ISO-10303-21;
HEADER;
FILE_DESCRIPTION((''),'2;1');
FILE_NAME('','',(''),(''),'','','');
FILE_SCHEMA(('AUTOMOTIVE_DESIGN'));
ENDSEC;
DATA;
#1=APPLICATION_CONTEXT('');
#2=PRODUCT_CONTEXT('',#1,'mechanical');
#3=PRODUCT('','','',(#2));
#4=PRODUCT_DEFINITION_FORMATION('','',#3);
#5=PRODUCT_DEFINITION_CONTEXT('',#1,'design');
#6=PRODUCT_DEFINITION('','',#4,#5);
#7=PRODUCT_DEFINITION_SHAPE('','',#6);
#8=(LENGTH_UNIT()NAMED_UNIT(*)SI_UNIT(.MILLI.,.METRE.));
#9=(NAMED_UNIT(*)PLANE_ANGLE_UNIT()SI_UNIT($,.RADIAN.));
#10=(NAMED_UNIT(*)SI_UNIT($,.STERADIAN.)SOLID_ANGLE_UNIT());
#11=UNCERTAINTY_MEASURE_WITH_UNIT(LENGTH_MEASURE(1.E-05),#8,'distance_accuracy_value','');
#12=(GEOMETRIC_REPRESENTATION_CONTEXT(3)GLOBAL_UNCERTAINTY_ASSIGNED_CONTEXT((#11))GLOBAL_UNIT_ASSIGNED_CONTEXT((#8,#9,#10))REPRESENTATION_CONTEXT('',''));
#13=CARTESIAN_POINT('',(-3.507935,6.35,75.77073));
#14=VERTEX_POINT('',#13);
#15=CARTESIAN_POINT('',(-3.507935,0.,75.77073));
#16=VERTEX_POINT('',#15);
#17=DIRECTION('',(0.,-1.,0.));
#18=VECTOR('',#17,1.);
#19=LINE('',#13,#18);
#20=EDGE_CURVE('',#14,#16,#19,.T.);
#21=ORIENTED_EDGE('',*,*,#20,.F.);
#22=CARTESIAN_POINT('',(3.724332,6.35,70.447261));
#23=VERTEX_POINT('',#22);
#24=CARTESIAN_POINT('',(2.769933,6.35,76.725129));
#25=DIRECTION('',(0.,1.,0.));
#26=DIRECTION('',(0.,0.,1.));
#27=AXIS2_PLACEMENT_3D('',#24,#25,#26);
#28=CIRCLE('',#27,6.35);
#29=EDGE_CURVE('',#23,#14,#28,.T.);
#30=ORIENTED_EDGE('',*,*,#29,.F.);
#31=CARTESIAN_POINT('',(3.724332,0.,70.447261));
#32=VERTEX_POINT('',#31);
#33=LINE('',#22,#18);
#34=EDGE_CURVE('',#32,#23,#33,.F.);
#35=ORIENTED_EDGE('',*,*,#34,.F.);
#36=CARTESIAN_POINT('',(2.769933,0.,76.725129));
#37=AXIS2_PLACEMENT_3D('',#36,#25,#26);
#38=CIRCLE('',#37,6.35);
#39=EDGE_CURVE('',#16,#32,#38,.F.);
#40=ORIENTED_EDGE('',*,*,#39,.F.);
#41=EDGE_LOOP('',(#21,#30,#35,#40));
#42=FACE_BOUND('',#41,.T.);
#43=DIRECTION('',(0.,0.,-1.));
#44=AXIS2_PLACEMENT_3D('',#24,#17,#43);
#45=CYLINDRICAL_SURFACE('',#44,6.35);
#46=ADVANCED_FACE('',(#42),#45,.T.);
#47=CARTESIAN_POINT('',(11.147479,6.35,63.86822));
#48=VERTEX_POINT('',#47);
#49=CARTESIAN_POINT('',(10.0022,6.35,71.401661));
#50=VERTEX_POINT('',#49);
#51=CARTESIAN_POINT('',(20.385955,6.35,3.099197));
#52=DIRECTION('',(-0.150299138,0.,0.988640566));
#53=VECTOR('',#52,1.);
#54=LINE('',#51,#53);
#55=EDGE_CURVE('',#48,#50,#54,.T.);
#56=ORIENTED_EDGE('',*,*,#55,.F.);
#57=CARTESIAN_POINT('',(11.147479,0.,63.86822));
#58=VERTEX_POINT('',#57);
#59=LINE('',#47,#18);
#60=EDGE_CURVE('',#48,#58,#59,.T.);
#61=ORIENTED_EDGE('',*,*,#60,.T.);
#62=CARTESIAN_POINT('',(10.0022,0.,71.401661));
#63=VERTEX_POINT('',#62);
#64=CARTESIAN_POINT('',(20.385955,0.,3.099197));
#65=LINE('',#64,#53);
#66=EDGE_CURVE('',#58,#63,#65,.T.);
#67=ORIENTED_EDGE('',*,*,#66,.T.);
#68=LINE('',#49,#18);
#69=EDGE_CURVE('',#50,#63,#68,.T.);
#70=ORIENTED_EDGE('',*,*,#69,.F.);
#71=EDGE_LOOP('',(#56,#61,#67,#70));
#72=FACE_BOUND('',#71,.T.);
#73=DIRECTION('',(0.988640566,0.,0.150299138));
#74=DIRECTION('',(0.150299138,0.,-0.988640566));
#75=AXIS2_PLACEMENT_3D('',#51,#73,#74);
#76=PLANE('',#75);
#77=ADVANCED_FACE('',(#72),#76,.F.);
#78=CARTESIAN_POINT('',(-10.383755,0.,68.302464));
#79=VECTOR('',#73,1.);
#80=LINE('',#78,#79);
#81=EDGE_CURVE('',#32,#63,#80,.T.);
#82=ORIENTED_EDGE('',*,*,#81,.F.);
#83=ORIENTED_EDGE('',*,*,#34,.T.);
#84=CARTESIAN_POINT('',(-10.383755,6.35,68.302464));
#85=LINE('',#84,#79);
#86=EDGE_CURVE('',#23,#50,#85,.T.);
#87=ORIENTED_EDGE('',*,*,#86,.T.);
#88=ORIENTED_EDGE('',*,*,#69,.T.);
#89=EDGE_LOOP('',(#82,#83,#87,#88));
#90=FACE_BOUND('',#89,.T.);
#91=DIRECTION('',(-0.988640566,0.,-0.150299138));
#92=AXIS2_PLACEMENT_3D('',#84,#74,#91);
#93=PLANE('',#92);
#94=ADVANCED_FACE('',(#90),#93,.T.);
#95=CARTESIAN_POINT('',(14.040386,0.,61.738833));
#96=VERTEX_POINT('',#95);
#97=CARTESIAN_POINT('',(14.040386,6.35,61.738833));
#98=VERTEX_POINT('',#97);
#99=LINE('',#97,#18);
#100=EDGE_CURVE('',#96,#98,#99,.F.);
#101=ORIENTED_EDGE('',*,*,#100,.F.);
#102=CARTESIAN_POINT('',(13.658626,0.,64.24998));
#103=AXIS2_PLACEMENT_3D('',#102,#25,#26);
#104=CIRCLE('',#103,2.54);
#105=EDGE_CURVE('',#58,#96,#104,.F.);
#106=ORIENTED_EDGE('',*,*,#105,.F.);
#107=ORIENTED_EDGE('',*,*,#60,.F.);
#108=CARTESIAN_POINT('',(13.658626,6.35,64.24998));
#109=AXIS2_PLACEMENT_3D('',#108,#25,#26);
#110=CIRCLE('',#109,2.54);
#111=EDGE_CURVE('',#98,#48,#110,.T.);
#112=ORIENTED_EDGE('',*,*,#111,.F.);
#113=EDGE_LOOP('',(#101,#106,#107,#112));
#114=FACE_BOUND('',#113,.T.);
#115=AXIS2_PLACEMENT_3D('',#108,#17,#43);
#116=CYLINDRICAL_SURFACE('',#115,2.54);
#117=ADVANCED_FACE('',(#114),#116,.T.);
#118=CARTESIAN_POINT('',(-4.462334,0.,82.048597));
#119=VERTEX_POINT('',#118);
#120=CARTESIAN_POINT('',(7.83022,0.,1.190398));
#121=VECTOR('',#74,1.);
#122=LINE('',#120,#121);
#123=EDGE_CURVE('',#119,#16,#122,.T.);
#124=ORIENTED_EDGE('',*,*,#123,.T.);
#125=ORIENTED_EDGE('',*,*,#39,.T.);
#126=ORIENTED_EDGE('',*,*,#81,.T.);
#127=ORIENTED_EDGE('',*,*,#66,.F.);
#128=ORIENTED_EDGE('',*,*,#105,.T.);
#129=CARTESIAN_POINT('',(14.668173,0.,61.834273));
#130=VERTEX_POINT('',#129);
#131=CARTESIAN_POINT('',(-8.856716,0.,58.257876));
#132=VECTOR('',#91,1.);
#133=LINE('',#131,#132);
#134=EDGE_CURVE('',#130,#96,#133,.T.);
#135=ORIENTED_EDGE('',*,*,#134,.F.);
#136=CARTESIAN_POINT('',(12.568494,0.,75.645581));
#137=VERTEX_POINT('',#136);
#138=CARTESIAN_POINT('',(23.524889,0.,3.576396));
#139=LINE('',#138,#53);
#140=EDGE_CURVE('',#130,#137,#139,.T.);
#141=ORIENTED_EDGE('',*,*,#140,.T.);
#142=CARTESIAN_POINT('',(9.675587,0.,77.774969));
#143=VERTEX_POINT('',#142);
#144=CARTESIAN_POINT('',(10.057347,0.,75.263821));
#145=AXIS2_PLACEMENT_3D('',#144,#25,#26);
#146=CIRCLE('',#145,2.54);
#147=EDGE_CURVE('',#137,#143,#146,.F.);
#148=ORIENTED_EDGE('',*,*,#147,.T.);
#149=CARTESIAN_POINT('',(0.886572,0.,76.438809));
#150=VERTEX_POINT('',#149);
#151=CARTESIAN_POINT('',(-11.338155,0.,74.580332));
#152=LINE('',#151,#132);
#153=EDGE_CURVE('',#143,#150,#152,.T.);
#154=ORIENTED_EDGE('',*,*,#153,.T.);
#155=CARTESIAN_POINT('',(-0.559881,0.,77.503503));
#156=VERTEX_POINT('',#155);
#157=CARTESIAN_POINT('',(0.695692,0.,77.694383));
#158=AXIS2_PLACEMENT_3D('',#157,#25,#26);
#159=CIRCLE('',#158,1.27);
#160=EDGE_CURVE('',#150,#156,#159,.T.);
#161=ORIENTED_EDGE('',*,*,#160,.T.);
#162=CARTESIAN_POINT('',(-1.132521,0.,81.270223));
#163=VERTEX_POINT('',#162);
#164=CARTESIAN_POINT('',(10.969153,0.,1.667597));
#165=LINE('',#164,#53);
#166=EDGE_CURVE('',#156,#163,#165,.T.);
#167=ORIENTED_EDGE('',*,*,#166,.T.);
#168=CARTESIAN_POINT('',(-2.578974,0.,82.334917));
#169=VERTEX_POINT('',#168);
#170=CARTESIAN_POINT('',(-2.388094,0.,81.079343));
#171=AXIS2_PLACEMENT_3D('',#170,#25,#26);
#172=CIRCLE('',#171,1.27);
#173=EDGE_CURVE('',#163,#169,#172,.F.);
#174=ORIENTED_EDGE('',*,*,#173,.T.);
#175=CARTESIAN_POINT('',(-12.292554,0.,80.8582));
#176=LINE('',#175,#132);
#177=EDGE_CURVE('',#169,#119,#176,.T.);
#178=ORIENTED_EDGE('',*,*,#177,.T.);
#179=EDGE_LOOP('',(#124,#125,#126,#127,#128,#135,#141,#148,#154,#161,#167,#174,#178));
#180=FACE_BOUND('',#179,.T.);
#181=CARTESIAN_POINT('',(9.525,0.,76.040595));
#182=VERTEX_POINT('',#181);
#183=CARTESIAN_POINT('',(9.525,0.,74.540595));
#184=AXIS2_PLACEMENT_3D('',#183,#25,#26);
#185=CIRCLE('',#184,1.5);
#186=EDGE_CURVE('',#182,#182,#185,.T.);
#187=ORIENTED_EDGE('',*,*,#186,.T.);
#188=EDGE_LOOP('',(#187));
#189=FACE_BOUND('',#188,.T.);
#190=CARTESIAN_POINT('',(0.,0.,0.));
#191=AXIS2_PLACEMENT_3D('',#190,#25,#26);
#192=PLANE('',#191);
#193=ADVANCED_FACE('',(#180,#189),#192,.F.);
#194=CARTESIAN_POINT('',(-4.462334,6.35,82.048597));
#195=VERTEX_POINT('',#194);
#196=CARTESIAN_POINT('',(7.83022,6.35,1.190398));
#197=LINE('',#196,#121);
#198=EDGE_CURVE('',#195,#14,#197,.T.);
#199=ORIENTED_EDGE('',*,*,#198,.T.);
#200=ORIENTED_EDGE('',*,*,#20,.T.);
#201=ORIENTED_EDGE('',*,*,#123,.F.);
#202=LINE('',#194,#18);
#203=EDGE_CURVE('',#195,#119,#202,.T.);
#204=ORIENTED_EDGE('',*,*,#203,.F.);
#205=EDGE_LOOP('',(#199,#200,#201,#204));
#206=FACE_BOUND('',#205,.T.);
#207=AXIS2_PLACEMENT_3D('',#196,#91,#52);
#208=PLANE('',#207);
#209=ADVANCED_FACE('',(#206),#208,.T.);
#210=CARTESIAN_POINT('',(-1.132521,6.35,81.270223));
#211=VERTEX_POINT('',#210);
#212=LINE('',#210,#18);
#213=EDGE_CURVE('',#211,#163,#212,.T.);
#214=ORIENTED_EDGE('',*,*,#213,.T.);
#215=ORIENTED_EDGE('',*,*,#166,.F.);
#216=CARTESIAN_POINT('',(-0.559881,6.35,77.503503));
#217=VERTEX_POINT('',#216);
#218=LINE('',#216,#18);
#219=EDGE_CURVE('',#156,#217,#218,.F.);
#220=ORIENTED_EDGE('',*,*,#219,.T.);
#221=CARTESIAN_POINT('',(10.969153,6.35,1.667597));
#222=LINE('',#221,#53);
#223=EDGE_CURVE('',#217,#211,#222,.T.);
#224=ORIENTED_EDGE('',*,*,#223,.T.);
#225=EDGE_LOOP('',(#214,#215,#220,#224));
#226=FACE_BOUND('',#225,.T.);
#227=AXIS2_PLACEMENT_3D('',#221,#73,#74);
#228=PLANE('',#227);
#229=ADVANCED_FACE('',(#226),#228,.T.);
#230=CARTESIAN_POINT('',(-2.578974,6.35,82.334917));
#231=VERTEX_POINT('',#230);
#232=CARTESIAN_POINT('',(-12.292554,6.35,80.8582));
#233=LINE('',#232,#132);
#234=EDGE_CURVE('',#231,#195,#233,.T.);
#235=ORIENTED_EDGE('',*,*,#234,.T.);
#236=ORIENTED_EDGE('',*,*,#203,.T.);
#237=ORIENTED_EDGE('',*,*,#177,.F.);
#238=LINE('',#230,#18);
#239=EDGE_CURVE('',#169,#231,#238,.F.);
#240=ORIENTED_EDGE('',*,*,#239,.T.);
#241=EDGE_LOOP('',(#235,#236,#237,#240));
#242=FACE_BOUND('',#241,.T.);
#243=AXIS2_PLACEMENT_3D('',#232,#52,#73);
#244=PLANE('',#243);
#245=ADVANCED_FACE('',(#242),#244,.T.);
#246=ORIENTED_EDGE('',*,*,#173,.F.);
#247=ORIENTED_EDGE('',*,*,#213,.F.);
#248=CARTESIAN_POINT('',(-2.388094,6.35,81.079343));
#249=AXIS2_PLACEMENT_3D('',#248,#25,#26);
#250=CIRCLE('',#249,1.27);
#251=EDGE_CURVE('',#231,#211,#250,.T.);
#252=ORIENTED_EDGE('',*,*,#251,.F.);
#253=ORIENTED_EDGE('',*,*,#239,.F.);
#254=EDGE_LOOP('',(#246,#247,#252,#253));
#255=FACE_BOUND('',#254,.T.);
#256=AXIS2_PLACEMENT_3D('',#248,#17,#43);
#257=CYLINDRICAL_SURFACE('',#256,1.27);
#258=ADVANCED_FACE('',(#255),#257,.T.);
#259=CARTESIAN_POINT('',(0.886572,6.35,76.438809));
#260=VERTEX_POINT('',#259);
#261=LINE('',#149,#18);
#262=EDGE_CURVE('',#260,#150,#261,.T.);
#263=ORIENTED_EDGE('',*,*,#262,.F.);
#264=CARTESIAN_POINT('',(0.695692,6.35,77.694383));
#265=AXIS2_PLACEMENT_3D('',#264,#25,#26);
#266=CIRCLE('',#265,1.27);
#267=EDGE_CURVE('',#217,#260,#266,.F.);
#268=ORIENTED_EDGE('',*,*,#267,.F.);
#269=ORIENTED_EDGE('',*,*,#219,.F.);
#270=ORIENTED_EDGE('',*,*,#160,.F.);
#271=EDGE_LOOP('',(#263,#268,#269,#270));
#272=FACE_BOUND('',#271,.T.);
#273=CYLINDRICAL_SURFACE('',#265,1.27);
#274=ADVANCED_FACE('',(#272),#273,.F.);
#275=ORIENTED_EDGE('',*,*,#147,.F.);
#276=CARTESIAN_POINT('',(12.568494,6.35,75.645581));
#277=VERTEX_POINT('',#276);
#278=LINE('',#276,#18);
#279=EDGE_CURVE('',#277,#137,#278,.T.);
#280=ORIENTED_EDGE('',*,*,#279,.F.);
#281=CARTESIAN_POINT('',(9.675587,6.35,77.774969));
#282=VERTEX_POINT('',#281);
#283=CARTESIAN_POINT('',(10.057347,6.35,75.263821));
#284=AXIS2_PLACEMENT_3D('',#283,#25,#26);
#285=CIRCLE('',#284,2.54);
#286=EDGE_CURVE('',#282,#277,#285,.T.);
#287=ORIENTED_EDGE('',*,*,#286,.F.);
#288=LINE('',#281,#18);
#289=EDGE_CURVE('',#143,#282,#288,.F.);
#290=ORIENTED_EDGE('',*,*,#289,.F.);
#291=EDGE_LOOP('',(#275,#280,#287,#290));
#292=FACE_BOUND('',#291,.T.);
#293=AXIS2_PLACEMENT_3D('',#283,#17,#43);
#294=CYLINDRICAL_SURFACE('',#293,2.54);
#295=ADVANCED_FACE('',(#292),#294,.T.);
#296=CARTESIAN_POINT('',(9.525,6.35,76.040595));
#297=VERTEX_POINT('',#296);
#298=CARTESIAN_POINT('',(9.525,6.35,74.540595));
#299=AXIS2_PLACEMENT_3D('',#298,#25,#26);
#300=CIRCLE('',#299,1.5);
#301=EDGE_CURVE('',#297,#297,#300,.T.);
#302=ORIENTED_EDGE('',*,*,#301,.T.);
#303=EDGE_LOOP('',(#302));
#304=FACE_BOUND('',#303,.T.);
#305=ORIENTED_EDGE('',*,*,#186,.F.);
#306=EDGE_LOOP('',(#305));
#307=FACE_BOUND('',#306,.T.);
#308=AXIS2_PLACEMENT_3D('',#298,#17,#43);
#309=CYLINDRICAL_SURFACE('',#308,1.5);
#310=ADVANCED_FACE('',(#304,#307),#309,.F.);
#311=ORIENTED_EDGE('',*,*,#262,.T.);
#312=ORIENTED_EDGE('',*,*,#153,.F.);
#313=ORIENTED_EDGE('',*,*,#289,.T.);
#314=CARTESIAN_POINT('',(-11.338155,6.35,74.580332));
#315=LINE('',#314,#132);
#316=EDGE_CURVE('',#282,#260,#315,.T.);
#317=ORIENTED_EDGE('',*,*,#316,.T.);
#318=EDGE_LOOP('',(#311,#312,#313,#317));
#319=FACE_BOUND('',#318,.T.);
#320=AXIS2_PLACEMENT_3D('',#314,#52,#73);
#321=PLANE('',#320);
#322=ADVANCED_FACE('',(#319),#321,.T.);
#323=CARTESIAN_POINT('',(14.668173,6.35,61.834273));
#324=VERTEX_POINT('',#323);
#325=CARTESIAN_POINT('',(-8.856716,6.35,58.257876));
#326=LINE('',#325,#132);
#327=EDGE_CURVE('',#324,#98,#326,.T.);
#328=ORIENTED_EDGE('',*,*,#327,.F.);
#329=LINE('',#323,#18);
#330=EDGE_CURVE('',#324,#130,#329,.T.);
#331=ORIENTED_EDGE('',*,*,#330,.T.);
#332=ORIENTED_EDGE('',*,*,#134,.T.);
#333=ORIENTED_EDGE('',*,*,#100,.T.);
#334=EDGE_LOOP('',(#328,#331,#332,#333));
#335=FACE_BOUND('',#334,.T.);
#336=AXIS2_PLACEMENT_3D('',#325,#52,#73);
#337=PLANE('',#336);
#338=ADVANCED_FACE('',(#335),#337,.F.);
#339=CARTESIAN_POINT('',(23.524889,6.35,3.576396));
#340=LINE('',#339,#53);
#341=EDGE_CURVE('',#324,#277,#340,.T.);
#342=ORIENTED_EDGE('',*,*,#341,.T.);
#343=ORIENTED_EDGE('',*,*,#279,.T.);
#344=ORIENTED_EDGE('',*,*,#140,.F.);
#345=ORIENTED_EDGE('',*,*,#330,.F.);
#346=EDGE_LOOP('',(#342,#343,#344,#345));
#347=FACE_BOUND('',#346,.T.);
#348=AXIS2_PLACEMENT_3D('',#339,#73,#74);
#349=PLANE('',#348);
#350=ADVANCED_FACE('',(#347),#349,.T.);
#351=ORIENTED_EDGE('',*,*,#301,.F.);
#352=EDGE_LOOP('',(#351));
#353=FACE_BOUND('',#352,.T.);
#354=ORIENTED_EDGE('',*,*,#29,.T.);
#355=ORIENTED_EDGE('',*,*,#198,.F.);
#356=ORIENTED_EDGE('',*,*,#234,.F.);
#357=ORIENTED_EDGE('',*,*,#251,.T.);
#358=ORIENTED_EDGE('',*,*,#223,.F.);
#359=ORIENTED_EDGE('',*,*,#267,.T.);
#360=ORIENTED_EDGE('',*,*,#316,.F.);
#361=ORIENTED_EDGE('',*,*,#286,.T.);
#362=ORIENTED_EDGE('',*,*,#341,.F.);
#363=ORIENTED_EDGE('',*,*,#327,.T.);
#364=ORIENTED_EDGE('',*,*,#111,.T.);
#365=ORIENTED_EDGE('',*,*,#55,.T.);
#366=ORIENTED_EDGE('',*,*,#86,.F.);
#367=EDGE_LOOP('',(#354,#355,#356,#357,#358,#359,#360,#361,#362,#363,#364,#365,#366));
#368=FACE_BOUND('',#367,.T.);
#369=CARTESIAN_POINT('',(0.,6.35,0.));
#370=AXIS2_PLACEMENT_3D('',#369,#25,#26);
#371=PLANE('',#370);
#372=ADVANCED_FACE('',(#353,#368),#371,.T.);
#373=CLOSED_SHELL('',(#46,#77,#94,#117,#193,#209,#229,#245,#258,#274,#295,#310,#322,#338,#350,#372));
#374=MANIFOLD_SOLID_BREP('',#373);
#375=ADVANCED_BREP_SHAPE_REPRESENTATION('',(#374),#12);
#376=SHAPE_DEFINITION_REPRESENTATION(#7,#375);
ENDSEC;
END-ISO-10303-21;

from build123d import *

# Parameters (mm, degrees)
SKETCH2_R           = 1.5
BOSS_EXTRUDE1_DEPTH = 6.35
FILLET1_R           = 1.27
FILLET2_R           = 2.54
FILLET3_R           = 6.35
FILLET4_R           = 2.54


with BuildPart() as part:
    # Sketch2 → Boss-Extrude1 (new body)
    with BuildSketch(Plane(origin=(0, 0, 0), x_dir=(1, 0, 0), z_dir=(0, 1, 0))):
        Polygon((-2.553535433, -69.492861925), (-4.46233448, -82.048597116), (-1.323400683, -82.525796878), (-0.369001159, -76.247929282), (12.186734033, -78.15672833), (12.663933794, -75.017794532), (14.668172794, -61.834272581), (11.529238997, -61.357072819), (10.002199758, -71.401660972), align=None)
        with Locations(Location((9.524999997, -74.54059477, 0), (0, 0, 270))):
            Circle(SKETCH2_R, mode=Mode.SUBTRACT)
    extrude(amount=BOSS_EXTRUDE1_DEPTH)

    # Fillet1
    fillet1_edges = [part.edges().sort_by_distance(p)[0] for p in [
        (-0.369001159, 3.175, 76.247929282),
        (-1.323400683, 3.175, 82.525796878),
    ]]
    fillet(fillet1_edges, radius=FILLET1_R)

    # Fillet2
    fillet2_edges = [part.edges().sort_by_distance(p)[0] for p in [
        (11.529238997, 3.175, 61.357072819),
    ]]
    fillet(fillet2_edges, radius=FILLET2_R)

    # Fillet3
    fillet3_edges = [part.edges().sort_by_distance(p)[0] for p in [
        (-2.553535433, 3.175, 69.492861925),
    ]]
    fillet(fillet3_edges, radius=FILLET3_R)

    # Fillet4
    fillet4_edges = [part.edges().sort_by_distance(p)[0] for p in [
        (12.186734033, 3.175, 78.15672833),
    ]]
    fillet(fillet4_edges, radius=FILLET4_R)


solid = part.part
